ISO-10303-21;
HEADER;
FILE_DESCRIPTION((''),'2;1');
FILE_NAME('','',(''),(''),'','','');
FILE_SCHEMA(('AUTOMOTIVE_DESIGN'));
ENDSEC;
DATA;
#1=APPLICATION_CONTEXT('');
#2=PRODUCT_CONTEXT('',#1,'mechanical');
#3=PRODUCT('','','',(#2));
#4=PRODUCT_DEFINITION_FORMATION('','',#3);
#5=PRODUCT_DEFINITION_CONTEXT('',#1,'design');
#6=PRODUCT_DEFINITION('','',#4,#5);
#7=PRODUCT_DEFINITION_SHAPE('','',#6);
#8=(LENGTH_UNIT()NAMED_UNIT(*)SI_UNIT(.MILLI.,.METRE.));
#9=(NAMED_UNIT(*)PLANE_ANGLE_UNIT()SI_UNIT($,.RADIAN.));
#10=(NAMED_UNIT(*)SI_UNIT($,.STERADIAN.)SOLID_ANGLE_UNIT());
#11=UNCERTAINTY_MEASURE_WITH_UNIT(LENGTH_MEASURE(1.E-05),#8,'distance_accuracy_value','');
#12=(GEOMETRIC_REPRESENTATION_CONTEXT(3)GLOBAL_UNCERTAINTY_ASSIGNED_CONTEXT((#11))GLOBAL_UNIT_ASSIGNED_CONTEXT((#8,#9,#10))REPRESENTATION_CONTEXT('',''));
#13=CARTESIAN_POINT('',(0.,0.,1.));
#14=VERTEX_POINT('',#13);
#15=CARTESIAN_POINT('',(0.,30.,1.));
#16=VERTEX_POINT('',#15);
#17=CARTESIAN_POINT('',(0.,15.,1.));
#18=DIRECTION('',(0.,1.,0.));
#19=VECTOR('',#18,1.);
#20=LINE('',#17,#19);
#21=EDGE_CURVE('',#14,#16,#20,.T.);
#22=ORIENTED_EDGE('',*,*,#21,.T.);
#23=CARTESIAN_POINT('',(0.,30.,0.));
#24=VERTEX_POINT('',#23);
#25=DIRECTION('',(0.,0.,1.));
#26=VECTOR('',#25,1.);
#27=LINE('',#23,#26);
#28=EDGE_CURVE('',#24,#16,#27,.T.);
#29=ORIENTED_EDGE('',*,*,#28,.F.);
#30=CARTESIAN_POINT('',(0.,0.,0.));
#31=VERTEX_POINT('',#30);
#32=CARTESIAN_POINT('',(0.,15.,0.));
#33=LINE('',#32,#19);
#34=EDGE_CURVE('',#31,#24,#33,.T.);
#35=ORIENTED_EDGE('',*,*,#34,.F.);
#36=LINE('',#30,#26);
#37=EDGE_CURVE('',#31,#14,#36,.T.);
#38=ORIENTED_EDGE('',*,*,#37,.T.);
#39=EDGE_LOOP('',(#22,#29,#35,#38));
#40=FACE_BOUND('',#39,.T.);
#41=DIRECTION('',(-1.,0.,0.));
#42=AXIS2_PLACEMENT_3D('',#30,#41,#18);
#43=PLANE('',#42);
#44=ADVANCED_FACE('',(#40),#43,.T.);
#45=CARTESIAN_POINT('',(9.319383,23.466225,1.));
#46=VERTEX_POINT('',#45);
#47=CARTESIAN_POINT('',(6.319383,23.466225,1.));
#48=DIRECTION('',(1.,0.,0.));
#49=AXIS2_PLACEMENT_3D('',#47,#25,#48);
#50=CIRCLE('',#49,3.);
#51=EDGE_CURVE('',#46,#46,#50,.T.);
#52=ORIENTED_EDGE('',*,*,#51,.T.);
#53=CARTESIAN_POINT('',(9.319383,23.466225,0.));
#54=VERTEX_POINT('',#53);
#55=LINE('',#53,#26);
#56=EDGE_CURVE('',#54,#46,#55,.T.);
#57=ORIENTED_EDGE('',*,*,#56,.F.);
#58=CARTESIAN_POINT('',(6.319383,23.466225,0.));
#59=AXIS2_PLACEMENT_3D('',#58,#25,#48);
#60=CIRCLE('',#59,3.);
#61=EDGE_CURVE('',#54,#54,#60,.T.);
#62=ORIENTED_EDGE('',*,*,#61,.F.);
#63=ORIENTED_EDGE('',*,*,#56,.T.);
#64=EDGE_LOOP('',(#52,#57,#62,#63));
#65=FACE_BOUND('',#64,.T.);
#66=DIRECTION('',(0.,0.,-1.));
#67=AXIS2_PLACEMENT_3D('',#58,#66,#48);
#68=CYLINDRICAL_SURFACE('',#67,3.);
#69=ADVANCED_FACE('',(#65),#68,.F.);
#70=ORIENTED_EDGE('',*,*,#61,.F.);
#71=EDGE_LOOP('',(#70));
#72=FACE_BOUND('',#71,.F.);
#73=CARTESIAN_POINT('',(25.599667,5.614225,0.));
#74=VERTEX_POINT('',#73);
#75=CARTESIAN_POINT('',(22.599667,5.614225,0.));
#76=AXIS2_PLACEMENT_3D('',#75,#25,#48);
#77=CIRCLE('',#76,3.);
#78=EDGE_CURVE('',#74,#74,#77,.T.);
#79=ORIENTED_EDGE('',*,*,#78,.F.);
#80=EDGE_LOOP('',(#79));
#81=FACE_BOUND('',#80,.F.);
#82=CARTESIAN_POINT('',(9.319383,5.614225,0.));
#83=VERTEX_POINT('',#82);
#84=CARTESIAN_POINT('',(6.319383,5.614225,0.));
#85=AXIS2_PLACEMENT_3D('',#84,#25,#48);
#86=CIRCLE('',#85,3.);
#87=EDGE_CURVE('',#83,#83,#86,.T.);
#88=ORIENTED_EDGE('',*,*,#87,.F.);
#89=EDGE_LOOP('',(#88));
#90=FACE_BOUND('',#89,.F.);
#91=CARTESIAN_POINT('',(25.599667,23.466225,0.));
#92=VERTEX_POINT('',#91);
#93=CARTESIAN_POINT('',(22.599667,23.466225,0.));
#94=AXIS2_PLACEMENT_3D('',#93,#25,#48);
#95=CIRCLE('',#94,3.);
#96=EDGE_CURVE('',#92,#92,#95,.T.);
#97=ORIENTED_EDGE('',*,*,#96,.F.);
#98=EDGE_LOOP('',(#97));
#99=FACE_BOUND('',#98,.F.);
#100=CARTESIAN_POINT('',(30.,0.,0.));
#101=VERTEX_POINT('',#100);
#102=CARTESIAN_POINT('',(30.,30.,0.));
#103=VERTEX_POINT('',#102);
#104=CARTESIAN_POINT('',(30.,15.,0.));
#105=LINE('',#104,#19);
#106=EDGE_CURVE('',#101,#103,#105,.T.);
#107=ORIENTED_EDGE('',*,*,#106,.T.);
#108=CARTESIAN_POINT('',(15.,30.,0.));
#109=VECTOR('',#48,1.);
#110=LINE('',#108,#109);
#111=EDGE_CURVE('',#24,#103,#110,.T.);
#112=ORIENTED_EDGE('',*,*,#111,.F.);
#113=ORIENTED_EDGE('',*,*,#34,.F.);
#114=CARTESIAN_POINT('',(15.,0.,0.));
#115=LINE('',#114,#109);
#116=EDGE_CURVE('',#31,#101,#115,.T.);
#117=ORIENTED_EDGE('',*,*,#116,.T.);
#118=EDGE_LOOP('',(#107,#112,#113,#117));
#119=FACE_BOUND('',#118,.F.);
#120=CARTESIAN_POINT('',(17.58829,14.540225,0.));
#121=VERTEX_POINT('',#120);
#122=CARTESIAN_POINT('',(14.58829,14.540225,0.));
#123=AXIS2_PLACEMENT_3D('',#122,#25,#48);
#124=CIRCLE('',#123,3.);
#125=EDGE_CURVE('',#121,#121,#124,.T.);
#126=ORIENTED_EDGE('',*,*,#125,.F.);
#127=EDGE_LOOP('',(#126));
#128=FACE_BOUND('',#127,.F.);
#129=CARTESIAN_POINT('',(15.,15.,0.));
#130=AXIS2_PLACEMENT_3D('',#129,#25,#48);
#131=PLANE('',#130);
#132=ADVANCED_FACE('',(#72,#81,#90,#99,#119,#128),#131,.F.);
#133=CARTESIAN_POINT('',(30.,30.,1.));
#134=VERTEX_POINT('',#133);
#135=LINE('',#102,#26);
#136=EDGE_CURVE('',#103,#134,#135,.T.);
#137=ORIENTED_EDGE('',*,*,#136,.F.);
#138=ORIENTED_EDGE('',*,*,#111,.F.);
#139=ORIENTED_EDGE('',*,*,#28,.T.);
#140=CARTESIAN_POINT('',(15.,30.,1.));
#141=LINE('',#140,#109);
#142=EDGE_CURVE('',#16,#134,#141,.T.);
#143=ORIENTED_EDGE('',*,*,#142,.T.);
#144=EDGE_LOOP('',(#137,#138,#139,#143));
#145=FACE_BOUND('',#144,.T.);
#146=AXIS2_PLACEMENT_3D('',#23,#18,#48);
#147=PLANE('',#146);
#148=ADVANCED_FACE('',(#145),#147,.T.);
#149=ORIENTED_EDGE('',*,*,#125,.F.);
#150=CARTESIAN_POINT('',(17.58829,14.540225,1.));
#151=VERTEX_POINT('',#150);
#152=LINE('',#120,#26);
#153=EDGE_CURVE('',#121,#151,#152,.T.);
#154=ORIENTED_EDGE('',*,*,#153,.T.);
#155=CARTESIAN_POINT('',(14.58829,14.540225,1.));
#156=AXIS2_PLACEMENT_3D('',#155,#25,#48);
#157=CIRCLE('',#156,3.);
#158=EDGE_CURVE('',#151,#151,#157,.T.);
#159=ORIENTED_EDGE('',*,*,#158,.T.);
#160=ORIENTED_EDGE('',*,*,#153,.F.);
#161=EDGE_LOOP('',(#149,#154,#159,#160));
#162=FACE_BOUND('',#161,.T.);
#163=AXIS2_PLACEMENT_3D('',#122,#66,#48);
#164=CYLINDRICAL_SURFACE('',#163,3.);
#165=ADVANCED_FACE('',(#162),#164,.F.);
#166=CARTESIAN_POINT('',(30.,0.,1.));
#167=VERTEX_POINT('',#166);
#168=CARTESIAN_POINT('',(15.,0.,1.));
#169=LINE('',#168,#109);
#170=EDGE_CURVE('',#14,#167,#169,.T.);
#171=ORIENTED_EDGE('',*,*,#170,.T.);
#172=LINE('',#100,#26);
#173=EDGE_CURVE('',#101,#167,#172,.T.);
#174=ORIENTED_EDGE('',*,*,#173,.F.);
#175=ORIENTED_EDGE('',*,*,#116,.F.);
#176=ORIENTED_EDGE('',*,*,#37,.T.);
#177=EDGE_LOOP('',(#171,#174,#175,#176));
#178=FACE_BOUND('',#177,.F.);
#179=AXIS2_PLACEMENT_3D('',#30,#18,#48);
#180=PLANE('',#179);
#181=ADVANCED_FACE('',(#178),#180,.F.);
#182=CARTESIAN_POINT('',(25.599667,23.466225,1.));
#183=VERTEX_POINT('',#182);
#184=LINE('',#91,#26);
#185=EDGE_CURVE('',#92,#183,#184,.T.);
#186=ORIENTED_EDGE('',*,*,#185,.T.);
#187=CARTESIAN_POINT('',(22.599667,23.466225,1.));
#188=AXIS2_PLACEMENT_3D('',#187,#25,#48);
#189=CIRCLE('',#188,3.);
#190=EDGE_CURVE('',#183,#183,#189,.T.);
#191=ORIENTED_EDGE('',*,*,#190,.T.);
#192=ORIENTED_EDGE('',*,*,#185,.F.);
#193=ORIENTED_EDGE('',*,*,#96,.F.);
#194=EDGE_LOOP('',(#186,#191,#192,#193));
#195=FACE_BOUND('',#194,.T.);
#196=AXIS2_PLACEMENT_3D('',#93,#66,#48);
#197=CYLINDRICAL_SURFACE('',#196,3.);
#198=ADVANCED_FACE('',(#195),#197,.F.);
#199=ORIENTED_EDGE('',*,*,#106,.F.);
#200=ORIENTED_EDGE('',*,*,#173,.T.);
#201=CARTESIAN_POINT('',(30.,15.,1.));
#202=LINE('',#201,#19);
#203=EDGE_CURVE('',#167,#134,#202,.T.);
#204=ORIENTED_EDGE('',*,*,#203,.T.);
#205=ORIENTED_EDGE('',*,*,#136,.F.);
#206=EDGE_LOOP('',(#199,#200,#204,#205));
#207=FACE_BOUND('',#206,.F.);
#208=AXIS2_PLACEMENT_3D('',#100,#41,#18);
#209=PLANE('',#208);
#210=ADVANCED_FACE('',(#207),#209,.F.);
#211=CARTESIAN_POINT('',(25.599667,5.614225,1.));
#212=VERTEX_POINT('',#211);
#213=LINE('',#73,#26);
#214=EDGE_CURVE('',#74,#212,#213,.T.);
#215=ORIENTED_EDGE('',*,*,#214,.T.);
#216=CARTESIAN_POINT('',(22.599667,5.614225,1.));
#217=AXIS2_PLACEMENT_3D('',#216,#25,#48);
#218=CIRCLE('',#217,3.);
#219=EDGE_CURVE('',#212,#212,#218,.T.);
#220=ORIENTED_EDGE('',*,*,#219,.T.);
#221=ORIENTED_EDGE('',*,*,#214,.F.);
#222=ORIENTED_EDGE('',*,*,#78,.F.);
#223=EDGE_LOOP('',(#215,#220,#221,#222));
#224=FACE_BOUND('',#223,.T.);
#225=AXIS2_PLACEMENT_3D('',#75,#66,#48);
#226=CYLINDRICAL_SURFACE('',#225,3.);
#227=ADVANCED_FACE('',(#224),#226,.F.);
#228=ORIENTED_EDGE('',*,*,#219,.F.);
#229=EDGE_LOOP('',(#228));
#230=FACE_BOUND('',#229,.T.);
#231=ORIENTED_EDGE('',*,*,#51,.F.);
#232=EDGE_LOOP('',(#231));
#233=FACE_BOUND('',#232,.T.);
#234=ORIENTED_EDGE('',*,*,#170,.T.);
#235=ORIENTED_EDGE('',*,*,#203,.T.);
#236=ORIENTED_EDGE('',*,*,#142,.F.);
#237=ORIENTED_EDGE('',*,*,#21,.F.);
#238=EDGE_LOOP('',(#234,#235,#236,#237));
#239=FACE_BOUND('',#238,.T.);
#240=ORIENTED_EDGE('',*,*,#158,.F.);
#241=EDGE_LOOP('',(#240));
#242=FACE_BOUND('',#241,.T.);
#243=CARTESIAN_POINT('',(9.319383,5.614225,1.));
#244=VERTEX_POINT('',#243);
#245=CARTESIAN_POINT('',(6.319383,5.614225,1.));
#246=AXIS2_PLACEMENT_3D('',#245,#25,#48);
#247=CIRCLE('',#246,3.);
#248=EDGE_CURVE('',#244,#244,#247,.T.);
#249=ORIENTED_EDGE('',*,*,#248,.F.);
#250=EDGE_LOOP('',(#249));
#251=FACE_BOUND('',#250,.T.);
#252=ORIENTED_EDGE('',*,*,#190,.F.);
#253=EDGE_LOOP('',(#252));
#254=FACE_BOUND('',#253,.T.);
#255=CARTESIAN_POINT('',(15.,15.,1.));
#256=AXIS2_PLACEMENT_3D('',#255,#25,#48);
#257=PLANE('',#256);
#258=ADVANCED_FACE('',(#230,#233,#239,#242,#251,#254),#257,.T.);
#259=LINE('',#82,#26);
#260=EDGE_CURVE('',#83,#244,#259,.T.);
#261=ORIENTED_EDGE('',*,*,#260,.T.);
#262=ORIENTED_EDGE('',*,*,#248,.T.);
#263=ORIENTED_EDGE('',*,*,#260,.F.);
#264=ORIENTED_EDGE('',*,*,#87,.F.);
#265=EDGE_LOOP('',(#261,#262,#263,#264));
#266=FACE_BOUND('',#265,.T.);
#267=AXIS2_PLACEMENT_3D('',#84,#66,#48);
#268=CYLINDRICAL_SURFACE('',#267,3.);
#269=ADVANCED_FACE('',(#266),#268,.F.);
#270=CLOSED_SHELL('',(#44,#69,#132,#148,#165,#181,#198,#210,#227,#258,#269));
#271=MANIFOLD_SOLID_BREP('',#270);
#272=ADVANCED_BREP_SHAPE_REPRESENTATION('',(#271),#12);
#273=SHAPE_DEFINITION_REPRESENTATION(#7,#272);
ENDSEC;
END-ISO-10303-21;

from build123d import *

# Parameters (mm, degrees)
F0_W     = 30
F0_H     = 30
F0_R     = 3
F1_DEPTH = 1


with BuildPart() as f1:
    # F0 (on Top) → F1 (new body)
    with BuildSketch(Plane.XY):
        with Locations((15, 15)):
            Rectangle(F0_W, F0_H)
        with Locations((6.319383, 5.614225)):
            Circle(F0_R, mode=Mode.SUBTRACT)
        with Locations((14.58829, 14.540225)):
            Circle(F0_R, mode=Mode.SUBTRACT)
        with Locations((22.599667, 5.614225)):
            Circle(F0_R, mode=Mode.SUBTRACT)
        with Locations((6.319383, 23.466225)):
            Circle(F0_R, mode=Mode.SUBTRACT)
        with Locations((22.599667, 23.466225)):
            Circle(F0_R, mode=Mode.SUBTRACT)
    extrude(amount=F1_DEPTH)


solid = f1.part
